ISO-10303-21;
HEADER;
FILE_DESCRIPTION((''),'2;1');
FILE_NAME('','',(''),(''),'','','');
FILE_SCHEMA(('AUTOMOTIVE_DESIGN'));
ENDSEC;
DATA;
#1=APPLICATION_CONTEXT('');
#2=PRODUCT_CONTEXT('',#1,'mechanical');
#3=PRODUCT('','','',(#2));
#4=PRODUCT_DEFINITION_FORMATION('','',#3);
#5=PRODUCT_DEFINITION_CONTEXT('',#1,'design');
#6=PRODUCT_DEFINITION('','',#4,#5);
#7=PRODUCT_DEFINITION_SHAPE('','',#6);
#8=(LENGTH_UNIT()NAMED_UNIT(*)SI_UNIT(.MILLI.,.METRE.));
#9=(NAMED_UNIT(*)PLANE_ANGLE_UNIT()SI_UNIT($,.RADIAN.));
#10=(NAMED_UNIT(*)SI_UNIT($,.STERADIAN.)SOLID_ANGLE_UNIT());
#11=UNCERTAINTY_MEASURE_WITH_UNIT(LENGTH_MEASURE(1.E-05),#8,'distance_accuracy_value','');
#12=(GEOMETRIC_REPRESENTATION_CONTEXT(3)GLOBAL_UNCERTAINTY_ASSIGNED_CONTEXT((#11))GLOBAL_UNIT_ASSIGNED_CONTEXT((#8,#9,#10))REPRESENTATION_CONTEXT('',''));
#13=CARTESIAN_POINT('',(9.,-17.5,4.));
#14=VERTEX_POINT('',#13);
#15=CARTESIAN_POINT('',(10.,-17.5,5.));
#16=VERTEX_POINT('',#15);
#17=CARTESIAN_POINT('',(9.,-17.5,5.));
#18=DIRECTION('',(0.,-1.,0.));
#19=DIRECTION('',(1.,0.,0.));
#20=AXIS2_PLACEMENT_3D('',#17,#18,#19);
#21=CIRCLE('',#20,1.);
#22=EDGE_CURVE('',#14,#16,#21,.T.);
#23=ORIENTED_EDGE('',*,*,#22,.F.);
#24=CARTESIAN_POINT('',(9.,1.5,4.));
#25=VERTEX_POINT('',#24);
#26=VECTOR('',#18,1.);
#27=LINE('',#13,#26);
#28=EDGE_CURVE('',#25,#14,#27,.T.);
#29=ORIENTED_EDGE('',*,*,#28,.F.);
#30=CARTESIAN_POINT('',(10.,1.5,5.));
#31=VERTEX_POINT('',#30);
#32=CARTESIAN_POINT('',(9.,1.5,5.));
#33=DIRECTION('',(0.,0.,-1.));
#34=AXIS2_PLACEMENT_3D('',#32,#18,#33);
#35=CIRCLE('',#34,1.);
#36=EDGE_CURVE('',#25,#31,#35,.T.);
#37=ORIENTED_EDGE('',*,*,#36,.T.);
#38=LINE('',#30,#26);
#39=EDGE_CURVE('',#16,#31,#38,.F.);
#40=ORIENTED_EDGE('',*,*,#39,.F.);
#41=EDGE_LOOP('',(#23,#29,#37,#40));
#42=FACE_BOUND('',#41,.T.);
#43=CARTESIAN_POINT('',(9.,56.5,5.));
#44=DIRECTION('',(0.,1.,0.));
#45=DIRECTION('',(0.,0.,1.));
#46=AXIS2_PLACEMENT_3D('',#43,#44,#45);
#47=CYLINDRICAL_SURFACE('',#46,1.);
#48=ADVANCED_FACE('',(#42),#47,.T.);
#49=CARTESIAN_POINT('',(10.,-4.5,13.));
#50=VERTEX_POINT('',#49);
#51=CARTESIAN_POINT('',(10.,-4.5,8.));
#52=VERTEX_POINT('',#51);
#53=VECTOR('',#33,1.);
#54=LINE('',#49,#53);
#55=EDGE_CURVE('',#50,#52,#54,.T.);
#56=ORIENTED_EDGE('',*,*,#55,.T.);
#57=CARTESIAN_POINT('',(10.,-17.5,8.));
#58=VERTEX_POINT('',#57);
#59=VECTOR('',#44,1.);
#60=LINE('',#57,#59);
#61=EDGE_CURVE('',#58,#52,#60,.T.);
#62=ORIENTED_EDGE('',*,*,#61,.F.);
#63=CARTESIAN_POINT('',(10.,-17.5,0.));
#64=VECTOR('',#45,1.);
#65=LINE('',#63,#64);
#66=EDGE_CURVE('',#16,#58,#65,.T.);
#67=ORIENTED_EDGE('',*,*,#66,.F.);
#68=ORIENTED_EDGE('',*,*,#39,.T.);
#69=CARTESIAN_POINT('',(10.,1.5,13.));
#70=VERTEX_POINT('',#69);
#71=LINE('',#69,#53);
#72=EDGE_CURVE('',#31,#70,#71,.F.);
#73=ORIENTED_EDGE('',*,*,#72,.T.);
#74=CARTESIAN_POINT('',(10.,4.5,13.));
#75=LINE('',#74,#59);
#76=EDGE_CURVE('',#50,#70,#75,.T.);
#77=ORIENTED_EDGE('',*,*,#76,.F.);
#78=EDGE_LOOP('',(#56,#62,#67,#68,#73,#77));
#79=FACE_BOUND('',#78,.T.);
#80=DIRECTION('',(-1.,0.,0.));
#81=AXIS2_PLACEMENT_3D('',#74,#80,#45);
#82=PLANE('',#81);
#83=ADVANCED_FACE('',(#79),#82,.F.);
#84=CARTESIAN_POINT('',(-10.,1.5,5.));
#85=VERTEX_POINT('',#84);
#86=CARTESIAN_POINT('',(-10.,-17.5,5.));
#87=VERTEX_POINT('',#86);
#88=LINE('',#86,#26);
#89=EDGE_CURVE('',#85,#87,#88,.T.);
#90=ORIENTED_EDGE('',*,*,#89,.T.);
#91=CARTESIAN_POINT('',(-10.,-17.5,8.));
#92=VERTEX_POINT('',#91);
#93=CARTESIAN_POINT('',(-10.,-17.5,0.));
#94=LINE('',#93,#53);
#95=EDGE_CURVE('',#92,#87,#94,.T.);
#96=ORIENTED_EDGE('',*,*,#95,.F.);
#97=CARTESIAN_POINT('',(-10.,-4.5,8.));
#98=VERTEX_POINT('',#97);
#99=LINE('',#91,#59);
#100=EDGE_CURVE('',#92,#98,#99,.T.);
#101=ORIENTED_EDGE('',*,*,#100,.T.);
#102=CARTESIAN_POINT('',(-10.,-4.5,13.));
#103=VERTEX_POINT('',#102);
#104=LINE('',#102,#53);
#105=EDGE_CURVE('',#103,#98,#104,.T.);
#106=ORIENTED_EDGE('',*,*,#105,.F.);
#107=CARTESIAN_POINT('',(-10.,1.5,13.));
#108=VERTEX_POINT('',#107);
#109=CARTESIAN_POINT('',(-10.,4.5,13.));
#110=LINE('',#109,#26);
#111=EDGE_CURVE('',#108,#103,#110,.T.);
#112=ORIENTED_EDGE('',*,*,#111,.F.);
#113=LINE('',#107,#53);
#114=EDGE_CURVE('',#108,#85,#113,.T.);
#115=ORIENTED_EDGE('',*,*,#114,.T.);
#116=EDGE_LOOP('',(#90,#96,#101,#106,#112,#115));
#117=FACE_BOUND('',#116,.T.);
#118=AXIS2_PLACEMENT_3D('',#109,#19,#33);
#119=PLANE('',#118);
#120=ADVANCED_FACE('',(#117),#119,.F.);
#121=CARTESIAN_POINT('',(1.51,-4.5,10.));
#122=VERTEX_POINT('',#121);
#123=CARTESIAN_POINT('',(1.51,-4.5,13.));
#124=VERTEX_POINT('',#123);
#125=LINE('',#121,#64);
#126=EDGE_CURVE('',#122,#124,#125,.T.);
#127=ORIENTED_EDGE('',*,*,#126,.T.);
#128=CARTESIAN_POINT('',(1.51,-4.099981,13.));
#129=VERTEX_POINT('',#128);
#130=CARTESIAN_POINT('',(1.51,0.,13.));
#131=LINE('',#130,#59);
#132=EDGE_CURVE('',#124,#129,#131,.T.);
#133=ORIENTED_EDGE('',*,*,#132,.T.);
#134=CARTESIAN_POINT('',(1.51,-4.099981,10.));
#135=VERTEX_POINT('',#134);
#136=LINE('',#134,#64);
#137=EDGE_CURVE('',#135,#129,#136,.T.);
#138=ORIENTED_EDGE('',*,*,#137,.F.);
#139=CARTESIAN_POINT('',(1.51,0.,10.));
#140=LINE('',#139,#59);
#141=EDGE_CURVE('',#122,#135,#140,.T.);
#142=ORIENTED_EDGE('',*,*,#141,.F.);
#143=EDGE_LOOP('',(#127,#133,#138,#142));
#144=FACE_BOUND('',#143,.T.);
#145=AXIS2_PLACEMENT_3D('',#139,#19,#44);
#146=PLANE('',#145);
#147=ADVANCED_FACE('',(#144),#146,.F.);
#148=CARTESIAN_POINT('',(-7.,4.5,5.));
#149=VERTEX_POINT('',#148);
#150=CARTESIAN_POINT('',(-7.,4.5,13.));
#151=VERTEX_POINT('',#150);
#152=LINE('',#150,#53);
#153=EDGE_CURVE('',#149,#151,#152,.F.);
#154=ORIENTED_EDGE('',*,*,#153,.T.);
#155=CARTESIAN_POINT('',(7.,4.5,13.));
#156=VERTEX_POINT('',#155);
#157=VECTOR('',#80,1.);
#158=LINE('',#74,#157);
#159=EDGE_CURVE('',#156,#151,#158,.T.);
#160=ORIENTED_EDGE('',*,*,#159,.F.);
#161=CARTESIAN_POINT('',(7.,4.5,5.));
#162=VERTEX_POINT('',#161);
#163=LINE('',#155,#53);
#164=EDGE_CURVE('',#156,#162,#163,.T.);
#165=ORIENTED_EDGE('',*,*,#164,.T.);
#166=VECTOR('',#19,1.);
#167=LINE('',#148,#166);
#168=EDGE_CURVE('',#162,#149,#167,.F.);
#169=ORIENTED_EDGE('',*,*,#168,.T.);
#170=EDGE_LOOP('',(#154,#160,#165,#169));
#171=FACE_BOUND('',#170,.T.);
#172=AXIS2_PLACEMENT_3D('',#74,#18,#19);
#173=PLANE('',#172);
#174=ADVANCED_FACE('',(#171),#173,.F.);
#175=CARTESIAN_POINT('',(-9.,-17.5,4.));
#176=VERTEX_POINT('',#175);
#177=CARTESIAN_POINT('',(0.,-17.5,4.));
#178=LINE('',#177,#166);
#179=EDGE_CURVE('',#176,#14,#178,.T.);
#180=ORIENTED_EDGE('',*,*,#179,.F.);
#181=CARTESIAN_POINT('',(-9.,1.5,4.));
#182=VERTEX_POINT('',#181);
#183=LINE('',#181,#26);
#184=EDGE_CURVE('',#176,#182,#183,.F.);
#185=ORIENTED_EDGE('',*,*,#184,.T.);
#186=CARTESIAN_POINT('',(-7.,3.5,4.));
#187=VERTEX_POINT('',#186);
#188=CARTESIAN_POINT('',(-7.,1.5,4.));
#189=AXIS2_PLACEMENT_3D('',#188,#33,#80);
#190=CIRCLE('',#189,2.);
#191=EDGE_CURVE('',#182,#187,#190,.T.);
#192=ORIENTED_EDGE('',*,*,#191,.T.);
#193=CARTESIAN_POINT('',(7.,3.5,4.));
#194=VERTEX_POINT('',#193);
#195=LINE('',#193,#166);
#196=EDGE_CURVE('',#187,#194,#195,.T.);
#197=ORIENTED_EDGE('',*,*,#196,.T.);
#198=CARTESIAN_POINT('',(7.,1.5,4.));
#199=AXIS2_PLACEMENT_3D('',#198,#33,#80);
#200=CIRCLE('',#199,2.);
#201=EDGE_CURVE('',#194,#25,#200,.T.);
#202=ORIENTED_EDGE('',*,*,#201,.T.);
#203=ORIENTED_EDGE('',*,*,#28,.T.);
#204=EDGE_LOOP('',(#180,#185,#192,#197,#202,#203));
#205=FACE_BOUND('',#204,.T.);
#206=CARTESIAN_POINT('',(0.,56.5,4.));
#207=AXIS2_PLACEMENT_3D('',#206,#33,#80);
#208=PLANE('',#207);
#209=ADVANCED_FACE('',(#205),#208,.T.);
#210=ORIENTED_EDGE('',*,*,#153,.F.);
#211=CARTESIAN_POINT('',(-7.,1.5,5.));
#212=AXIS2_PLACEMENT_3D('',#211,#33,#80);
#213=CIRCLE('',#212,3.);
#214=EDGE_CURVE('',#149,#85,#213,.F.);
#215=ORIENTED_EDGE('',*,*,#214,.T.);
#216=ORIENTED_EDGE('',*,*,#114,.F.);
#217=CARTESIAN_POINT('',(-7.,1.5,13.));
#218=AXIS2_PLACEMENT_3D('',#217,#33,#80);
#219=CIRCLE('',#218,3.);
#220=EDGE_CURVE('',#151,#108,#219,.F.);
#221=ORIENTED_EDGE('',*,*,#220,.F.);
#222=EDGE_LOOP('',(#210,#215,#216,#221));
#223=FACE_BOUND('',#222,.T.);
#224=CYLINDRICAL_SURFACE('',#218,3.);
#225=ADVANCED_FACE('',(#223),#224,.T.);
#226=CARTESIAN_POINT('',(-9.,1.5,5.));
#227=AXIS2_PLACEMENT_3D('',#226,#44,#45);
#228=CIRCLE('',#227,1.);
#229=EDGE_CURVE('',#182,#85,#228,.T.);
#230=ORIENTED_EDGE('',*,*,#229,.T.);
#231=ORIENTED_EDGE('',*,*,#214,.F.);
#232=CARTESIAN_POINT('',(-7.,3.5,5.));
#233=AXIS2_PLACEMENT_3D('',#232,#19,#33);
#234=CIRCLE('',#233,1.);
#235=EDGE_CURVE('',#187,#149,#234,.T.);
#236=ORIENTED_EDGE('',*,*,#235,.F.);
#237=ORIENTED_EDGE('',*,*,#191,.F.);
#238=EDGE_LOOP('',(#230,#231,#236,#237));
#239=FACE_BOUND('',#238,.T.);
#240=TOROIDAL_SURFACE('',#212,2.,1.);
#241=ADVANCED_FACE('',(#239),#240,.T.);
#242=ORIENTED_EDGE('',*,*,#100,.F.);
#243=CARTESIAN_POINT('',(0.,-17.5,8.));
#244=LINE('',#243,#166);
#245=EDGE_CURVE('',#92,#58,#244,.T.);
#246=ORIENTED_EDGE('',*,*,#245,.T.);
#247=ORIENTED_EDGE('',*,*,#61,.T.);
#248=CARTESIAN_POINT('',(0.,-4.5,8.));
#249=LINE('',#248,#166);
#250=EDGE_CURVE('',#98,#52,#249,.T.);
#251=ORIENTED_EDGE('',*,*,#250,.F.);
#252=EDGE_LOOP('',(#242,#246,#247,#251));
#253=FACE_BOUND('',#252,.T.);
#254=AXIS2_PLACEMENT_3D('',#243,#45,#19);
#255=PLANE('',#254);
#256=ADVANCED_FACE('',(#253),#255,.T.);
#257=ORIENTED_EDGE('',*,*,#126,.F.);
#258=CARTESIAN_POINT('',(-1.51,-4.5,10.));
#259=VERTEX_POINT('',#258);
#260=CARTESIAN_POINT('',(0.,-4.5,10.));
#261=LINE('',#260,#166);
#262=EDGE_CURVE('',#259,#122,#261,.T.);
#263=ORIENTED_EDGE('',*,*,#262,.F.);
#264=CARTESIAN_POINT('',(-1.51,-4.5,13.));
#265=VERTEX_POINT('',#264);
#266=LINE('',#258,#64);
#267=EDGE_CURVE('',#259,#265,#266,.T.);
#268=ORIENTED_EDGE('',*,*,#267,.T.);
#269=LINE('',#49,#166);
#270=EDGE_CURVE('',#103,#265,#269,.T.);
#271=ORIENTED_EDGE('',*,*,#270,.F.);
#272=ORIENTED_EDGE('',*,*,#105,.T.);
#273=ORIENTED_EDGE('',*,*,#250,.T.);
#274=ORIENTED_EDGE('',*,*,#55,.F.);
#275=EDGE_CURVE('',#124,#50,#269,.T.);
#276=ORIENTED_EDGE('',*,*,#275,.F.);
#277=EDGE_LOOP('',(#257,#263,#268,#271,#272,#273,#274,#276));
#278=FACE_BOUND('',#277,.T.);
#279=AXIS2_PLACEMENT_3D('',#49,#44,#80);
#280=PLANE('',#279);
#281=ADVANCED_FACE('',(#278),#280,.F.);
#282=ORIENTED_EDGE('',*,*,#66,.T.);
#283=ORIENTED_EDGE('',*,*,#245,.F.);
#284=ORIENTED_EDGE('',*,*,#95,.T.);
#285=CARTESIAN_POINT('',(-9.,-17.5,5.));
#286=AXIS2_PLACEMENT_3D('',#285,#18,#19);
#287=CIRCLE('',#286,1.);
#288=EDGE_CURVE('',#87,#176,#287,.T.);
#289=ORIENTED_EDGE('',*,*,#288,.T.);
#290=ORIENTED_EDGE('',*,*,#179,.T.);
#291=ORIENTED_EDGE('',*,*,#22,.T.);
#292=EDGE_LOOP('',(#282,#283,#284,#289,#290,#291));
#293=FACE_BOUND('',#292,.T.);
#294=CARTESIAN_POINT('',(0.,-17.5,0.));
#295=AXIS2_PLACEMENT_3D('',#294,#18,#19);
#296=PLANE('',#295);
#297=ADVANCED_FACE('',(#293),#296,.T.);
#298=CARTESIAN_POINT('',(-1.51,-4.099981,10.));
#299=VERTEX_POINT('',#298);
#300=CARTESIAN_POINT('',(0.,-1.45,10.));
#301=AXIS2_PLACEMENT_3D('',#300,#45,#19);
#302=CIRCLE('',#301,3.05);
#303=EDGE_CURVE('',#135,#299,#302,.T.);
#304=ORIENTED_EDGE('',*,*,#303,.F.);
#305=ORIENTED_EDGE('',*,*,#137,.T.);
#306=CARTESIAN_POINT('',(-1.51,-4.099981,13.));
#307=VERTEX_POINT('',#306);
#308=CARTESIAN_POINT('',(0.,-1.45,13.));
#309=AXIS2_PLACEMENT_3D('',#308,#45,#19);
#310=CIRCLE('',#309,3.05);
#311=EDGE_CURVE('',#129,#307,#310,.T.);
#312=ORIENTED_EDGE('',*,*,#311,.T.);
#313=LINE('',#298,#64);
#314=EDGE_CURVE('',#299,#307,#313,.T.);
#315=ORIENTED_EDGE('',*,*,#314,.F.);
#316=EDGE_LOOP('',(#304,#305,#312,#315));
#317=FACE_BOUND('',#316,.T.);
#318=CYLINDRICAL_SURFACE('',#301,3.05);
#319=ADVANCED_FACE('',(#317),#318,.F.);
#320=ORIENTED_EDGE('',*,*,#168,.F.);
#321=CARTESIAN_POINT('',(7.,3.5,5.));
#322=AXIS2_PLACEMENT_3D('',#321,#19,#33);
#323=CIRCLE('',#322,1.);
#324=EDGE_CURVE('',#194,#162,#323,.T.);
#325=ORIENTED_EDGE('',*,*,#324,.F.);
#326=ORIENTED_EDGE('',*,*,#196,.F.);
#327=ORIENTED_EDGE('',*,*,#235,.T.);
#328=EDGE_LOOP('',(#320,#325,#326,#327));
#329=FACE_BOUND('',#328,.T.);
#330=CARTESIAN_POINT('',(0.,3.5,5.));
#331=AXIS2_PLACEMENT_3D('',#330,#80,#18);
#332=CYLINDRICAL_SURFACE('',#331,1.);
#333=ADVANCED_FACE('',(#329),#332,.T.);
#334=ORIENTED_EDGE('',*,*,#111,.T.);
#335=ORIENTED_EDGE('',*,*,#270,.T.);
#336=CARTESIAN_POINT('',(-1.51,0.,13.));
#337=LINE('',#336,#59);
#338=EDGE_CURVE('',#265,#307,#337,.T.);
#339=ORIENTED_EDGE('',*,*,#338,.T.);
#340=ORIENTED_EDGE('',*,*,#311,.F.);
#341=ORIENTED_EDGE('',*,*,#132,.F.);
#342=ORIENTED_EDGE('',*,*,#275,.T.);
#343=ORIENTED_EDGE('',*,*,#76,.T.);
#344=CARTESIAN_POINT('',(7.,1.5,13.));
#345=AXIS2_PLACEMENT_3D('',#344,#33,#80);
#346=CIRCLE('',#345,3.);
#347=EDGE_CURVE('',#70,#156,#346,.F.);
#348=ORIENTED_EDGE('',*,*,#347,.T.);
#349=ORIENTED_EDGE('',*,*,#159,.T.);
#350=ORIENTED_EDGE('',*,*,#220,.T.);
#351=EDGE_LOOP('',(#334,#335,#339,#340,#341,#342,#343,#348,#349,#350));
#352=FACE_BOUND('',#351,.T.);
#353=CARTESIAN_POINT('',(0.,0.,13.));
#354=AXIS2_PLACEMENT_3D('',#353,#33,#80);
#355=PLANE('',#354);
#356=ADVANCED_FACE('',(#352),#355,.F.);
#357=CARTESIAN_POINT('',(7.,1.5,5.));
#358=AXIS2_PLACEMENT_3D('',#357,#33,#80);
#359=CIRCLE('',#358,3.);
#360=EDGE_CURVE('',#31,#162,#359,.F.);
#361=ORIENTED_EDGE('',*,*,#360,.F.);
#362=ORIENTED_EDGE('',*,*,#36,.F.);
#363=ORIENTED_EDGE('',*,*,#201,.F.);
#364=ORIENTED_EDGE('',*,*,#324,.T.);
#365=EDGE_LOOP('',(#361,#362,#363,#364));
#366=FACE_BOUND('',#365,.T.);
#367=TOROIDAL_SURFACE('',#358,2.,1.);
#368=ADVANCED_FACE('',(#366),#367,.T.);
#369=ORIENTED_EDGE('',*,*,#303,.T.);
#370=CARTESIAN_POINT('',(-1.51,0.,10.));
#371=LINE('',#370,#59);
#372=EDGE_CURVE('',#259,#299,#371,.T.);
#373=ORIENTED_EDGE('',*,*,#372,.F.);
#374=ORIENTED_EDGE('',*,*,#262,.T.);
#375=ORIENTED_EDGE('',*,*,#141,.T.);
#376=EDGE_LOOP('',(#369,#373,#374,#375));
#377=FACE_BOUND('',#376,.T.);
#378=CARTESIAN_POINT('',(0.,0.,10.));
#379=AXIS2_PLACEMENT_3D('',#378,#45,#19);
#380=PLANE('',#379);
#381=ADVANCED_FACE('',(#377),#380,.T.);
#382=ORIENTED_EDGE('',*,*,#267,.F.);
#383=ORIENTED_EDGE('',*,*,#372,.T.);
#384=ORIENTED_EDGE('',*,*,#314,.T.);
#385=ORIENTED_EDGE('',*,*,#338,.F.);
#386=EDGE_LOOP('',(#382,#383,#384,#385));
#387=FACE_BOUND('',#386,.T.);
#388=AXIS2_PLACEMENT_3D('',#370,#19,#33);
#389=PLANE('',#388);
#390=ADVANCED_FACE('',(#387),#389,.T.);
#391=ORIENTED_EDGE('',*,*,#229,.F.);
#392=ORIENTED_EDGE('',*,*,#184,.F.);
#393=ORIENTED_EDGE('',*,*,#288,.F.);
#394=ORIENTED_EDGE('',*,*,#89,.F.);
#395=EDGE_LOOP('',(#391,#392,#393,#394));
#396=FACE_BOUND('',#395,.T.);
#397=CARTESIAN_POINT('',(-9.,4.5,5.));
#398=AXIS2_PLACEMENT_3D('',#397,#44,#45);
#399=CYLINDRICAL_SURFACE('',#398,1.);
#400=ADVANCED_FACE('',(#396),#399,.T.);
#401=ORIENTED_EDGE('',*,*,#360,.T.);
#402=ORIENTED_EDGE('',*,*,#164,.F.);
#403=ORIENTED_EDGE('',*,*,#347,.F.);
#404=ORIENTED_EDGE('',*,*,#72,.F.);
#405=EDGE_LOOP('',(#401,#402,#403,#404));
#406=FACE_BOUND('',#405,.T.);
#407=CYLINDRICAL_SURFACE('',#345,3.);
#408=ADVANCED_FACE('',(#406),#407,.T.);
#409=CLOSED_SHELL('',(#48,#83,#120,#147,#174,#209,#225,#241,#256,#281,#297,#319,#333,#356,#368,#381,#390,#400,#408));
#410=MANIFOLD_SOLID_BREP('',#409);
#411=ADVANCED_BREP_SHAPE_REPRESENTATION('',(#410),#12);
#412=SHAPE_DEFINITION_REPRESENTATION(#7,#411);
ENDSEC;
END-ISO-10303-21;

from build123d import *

# Parameters (mm, degrees)
SKETCH1_W           = 20
SKETCH1_H           = 9
BOSS_EXTRUDE1_DEPTH = 13
CUT_EXTRUDE1_DEPTH  = 3
FILLET1_R           = 3
SKETCH3_W           = 20
SKETCH3_H           = 4
CUT_EXTRUDE2_DEPTH  = 61
SKETCH3_3_W         = 20
SKETCH3_3_H         = 4
BOSS_EXTRUDE2_DEPTH = 13
FILLET4_R           = 1


with BuildPart() as part:
    # Sketch1 → Boss-Extrude1 (new body)
    with BuildSketch(Plane.XY):
        Rectangle(SKETCH1_W, SKETCH1_H)
    extrude(amount=BOSS_EXTRUDE1_DEPTH)

    # Sketch2 → Cut-Extrude1 (cut)
    with BuildSketch(Plane.XY.offset(13)):
        with BuildLine():
            Line((1.51, -4.5), (1.51, -4.099981132))
            ThreePointArc((1.51, -4.099981132), (0, 1.6), (-1.51, -4.099981132))
            Line((-1.51, -4.099981132), (-1.51, -4.5))
            Line((-1.51, -4.5), (1.51, -4.5))
        make_face()
    extrude(amount=-CUT_EXTRUDE1_DEPTH, mode=Mode.SUBTRACT)

    # Fillet1
    fillet1_edges = [part.edges().sort_by_distance(p)[0] for p in [
        (-10, 4.5, 6.5),
        (10, 4.5, 6.5),
    ]]
    fillet(fillet1_edges, radius=FILLET1_R)

    # Sketch3 → Cut-Extrude2 (cut)
    with BuildSketch(Plane.XZ.offset(4.5)):
        with Locations((0, 2)):
            Rectangle(SKETCH3_W, SKETCH3_H)
    extrude(amount=-CUT_EXTRUDE2_DEPTH, mode=Mode.SUBTRACT)

    # Sketch3<3> → Boss-Extrude2 (add)
    with BuildSketch(Plane.XZ.offset(4.5)):
        with Locations((0, 6)):
            Rectangle(SKETCH3_3_W, SKETCH3_3_H)
    extrude(amount=BOSS_EXTRUDE2_DEPTH)

    # Fillet4
    fillet4_edges = [part.edges().sort_by_distance(p)[0] for p in [
        (9.121320344, 3.621320344, 4),
        (0, 4.5, 4),
        (10, -8, 4),
        (-9.121320344, 3.621320344, 4),
        (-10, -8, 4),
    ]]
    fillet(fillet4_edges, radius=FILLET4_R)


solid = part.part
